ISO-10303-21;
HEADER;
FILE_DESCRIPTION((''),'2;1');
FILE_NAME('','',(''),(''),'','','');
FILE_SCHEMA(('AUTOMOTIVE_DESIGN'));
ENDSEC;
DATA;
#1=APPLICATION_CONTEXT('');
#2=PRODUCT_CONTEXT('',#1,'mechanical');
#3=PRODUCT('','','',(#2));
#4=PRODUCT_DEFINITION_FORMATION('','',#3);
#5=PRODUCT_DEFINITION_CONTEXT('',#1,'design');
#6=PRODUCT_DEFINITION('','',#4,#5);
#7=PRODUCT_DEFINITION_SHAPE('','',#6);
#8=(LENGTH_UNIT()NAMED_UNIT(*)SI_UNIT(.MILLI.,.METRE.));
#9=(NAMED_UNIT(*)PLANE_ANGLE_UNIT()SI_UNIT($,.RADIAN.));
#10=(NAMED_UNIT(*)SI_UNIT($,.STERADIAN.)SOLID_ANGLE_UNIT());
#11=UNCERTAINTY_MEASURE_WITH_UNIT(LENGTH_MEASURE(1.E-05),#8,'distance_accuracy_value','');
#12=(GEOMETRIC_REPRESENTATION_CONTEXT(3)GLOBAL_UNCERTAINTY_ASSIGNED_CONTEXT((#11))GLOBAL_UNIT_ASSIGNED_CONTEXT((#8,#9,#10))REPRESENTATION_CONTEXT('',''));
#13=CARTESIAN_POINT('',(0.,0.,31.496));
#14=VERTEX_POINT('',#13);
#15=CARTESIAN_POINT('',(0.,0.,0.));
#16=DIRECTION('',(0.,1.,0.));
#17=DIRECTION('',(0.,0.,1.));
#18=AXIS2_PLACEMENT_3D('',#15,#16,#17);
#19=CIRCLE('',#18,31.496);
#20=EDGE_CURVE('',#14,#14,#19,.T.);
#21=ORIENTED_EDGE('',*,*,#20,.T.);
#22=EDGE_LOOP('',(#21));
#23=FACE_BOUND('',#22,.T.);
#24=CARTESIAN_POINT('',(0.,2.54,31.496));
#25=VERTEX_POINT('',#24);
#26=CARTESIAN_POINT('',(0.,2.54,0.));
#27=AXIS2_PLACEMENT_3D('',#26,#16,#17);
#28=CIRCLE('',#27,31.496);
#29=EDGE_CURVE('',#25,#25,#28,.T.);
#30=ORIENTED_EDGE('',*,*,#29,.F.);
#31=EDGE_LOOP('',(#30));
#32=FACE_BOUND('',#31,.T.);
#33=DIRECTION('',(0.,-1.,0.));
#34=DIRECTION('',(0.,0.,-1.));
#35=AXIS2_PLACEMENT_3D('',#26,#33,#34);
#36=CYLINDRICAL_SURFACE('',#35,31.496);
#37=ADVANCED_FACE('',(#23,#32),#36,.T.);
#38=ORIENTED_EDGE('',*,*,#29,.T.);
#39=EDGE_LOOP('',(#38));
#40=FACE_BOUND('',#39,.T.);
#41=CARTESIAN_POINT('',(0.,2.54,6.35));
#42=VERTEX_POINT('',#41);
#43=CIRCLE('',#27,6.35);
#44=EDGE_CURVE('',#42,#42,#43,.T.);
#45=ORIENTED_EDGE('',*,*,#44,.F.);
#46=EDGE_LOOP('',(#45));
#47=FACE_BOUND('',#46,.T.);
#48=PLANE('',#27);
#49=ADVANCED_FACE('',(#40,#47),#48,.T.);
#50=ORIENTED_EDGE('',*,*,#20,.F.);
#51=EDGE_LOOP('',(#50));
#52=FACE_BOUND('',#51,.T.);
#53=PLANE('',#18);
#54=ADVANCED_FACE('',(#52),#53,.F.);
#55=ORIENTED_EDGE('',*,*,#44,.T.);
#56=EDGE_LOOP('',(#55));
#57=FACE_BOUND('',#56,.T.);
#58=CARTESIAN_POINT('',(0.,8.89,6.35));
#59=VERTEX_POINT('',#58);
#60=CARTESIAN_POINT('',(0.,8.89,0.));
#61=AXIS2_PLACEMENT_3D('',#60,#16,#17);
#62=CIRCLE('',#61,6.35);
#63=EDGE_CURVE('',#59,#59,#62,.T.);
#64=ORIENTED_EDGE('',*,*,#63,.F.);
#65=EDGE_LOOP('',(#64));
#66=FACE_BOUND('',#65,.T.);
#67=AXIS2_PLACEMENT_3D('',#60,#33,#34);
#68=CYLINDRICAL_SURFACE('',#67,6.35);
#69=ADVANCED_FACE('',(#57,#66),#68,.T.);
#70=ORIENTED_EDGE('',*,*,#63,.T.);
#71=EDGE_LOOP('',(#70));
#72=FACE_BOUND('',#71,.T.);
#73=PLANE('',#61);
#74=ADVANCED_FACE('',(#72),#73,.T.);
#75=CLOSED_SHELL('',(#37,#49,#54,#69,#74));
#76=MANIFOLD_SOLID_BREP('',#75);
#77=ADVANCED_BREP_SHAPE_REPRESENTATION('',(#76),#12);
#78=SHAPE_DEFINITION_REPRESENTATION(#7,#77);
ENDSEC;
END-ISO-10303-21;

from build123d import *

# Parameters (mm, degrees)
SKETCH1_R           = 31.496
BOSS_EXTRUDE1_DEPTH = 2.54
SKETCH2_R           = 6.35
BOSS_EXTRUDE2_DEPTH = 6.35


with BuildPart() as part:
    # Sketch1 → Boss-Extrude1 (new body)
    with BuildSketch(Plane(origin=(0, 0, 0), x_dir=(1, 0, 0), z_dir=(0, 1, 0))):
        Circle(SKETCH1_R)
    extrude(amount=BOSS_EXTRUDE1_DEPTH)

    # Sketch2 → Boss-Extrude2 (add)
    with BuildSketch(Plane(origin=(0, 2.54, 0), x_dir=(1, 0, 0), z_dir=(0, 1, 0))):
        Circle(SKETCH2_R)
    extrude(amount=BOSS_EXTRUDE2_DEPTH)


solid = part.part
